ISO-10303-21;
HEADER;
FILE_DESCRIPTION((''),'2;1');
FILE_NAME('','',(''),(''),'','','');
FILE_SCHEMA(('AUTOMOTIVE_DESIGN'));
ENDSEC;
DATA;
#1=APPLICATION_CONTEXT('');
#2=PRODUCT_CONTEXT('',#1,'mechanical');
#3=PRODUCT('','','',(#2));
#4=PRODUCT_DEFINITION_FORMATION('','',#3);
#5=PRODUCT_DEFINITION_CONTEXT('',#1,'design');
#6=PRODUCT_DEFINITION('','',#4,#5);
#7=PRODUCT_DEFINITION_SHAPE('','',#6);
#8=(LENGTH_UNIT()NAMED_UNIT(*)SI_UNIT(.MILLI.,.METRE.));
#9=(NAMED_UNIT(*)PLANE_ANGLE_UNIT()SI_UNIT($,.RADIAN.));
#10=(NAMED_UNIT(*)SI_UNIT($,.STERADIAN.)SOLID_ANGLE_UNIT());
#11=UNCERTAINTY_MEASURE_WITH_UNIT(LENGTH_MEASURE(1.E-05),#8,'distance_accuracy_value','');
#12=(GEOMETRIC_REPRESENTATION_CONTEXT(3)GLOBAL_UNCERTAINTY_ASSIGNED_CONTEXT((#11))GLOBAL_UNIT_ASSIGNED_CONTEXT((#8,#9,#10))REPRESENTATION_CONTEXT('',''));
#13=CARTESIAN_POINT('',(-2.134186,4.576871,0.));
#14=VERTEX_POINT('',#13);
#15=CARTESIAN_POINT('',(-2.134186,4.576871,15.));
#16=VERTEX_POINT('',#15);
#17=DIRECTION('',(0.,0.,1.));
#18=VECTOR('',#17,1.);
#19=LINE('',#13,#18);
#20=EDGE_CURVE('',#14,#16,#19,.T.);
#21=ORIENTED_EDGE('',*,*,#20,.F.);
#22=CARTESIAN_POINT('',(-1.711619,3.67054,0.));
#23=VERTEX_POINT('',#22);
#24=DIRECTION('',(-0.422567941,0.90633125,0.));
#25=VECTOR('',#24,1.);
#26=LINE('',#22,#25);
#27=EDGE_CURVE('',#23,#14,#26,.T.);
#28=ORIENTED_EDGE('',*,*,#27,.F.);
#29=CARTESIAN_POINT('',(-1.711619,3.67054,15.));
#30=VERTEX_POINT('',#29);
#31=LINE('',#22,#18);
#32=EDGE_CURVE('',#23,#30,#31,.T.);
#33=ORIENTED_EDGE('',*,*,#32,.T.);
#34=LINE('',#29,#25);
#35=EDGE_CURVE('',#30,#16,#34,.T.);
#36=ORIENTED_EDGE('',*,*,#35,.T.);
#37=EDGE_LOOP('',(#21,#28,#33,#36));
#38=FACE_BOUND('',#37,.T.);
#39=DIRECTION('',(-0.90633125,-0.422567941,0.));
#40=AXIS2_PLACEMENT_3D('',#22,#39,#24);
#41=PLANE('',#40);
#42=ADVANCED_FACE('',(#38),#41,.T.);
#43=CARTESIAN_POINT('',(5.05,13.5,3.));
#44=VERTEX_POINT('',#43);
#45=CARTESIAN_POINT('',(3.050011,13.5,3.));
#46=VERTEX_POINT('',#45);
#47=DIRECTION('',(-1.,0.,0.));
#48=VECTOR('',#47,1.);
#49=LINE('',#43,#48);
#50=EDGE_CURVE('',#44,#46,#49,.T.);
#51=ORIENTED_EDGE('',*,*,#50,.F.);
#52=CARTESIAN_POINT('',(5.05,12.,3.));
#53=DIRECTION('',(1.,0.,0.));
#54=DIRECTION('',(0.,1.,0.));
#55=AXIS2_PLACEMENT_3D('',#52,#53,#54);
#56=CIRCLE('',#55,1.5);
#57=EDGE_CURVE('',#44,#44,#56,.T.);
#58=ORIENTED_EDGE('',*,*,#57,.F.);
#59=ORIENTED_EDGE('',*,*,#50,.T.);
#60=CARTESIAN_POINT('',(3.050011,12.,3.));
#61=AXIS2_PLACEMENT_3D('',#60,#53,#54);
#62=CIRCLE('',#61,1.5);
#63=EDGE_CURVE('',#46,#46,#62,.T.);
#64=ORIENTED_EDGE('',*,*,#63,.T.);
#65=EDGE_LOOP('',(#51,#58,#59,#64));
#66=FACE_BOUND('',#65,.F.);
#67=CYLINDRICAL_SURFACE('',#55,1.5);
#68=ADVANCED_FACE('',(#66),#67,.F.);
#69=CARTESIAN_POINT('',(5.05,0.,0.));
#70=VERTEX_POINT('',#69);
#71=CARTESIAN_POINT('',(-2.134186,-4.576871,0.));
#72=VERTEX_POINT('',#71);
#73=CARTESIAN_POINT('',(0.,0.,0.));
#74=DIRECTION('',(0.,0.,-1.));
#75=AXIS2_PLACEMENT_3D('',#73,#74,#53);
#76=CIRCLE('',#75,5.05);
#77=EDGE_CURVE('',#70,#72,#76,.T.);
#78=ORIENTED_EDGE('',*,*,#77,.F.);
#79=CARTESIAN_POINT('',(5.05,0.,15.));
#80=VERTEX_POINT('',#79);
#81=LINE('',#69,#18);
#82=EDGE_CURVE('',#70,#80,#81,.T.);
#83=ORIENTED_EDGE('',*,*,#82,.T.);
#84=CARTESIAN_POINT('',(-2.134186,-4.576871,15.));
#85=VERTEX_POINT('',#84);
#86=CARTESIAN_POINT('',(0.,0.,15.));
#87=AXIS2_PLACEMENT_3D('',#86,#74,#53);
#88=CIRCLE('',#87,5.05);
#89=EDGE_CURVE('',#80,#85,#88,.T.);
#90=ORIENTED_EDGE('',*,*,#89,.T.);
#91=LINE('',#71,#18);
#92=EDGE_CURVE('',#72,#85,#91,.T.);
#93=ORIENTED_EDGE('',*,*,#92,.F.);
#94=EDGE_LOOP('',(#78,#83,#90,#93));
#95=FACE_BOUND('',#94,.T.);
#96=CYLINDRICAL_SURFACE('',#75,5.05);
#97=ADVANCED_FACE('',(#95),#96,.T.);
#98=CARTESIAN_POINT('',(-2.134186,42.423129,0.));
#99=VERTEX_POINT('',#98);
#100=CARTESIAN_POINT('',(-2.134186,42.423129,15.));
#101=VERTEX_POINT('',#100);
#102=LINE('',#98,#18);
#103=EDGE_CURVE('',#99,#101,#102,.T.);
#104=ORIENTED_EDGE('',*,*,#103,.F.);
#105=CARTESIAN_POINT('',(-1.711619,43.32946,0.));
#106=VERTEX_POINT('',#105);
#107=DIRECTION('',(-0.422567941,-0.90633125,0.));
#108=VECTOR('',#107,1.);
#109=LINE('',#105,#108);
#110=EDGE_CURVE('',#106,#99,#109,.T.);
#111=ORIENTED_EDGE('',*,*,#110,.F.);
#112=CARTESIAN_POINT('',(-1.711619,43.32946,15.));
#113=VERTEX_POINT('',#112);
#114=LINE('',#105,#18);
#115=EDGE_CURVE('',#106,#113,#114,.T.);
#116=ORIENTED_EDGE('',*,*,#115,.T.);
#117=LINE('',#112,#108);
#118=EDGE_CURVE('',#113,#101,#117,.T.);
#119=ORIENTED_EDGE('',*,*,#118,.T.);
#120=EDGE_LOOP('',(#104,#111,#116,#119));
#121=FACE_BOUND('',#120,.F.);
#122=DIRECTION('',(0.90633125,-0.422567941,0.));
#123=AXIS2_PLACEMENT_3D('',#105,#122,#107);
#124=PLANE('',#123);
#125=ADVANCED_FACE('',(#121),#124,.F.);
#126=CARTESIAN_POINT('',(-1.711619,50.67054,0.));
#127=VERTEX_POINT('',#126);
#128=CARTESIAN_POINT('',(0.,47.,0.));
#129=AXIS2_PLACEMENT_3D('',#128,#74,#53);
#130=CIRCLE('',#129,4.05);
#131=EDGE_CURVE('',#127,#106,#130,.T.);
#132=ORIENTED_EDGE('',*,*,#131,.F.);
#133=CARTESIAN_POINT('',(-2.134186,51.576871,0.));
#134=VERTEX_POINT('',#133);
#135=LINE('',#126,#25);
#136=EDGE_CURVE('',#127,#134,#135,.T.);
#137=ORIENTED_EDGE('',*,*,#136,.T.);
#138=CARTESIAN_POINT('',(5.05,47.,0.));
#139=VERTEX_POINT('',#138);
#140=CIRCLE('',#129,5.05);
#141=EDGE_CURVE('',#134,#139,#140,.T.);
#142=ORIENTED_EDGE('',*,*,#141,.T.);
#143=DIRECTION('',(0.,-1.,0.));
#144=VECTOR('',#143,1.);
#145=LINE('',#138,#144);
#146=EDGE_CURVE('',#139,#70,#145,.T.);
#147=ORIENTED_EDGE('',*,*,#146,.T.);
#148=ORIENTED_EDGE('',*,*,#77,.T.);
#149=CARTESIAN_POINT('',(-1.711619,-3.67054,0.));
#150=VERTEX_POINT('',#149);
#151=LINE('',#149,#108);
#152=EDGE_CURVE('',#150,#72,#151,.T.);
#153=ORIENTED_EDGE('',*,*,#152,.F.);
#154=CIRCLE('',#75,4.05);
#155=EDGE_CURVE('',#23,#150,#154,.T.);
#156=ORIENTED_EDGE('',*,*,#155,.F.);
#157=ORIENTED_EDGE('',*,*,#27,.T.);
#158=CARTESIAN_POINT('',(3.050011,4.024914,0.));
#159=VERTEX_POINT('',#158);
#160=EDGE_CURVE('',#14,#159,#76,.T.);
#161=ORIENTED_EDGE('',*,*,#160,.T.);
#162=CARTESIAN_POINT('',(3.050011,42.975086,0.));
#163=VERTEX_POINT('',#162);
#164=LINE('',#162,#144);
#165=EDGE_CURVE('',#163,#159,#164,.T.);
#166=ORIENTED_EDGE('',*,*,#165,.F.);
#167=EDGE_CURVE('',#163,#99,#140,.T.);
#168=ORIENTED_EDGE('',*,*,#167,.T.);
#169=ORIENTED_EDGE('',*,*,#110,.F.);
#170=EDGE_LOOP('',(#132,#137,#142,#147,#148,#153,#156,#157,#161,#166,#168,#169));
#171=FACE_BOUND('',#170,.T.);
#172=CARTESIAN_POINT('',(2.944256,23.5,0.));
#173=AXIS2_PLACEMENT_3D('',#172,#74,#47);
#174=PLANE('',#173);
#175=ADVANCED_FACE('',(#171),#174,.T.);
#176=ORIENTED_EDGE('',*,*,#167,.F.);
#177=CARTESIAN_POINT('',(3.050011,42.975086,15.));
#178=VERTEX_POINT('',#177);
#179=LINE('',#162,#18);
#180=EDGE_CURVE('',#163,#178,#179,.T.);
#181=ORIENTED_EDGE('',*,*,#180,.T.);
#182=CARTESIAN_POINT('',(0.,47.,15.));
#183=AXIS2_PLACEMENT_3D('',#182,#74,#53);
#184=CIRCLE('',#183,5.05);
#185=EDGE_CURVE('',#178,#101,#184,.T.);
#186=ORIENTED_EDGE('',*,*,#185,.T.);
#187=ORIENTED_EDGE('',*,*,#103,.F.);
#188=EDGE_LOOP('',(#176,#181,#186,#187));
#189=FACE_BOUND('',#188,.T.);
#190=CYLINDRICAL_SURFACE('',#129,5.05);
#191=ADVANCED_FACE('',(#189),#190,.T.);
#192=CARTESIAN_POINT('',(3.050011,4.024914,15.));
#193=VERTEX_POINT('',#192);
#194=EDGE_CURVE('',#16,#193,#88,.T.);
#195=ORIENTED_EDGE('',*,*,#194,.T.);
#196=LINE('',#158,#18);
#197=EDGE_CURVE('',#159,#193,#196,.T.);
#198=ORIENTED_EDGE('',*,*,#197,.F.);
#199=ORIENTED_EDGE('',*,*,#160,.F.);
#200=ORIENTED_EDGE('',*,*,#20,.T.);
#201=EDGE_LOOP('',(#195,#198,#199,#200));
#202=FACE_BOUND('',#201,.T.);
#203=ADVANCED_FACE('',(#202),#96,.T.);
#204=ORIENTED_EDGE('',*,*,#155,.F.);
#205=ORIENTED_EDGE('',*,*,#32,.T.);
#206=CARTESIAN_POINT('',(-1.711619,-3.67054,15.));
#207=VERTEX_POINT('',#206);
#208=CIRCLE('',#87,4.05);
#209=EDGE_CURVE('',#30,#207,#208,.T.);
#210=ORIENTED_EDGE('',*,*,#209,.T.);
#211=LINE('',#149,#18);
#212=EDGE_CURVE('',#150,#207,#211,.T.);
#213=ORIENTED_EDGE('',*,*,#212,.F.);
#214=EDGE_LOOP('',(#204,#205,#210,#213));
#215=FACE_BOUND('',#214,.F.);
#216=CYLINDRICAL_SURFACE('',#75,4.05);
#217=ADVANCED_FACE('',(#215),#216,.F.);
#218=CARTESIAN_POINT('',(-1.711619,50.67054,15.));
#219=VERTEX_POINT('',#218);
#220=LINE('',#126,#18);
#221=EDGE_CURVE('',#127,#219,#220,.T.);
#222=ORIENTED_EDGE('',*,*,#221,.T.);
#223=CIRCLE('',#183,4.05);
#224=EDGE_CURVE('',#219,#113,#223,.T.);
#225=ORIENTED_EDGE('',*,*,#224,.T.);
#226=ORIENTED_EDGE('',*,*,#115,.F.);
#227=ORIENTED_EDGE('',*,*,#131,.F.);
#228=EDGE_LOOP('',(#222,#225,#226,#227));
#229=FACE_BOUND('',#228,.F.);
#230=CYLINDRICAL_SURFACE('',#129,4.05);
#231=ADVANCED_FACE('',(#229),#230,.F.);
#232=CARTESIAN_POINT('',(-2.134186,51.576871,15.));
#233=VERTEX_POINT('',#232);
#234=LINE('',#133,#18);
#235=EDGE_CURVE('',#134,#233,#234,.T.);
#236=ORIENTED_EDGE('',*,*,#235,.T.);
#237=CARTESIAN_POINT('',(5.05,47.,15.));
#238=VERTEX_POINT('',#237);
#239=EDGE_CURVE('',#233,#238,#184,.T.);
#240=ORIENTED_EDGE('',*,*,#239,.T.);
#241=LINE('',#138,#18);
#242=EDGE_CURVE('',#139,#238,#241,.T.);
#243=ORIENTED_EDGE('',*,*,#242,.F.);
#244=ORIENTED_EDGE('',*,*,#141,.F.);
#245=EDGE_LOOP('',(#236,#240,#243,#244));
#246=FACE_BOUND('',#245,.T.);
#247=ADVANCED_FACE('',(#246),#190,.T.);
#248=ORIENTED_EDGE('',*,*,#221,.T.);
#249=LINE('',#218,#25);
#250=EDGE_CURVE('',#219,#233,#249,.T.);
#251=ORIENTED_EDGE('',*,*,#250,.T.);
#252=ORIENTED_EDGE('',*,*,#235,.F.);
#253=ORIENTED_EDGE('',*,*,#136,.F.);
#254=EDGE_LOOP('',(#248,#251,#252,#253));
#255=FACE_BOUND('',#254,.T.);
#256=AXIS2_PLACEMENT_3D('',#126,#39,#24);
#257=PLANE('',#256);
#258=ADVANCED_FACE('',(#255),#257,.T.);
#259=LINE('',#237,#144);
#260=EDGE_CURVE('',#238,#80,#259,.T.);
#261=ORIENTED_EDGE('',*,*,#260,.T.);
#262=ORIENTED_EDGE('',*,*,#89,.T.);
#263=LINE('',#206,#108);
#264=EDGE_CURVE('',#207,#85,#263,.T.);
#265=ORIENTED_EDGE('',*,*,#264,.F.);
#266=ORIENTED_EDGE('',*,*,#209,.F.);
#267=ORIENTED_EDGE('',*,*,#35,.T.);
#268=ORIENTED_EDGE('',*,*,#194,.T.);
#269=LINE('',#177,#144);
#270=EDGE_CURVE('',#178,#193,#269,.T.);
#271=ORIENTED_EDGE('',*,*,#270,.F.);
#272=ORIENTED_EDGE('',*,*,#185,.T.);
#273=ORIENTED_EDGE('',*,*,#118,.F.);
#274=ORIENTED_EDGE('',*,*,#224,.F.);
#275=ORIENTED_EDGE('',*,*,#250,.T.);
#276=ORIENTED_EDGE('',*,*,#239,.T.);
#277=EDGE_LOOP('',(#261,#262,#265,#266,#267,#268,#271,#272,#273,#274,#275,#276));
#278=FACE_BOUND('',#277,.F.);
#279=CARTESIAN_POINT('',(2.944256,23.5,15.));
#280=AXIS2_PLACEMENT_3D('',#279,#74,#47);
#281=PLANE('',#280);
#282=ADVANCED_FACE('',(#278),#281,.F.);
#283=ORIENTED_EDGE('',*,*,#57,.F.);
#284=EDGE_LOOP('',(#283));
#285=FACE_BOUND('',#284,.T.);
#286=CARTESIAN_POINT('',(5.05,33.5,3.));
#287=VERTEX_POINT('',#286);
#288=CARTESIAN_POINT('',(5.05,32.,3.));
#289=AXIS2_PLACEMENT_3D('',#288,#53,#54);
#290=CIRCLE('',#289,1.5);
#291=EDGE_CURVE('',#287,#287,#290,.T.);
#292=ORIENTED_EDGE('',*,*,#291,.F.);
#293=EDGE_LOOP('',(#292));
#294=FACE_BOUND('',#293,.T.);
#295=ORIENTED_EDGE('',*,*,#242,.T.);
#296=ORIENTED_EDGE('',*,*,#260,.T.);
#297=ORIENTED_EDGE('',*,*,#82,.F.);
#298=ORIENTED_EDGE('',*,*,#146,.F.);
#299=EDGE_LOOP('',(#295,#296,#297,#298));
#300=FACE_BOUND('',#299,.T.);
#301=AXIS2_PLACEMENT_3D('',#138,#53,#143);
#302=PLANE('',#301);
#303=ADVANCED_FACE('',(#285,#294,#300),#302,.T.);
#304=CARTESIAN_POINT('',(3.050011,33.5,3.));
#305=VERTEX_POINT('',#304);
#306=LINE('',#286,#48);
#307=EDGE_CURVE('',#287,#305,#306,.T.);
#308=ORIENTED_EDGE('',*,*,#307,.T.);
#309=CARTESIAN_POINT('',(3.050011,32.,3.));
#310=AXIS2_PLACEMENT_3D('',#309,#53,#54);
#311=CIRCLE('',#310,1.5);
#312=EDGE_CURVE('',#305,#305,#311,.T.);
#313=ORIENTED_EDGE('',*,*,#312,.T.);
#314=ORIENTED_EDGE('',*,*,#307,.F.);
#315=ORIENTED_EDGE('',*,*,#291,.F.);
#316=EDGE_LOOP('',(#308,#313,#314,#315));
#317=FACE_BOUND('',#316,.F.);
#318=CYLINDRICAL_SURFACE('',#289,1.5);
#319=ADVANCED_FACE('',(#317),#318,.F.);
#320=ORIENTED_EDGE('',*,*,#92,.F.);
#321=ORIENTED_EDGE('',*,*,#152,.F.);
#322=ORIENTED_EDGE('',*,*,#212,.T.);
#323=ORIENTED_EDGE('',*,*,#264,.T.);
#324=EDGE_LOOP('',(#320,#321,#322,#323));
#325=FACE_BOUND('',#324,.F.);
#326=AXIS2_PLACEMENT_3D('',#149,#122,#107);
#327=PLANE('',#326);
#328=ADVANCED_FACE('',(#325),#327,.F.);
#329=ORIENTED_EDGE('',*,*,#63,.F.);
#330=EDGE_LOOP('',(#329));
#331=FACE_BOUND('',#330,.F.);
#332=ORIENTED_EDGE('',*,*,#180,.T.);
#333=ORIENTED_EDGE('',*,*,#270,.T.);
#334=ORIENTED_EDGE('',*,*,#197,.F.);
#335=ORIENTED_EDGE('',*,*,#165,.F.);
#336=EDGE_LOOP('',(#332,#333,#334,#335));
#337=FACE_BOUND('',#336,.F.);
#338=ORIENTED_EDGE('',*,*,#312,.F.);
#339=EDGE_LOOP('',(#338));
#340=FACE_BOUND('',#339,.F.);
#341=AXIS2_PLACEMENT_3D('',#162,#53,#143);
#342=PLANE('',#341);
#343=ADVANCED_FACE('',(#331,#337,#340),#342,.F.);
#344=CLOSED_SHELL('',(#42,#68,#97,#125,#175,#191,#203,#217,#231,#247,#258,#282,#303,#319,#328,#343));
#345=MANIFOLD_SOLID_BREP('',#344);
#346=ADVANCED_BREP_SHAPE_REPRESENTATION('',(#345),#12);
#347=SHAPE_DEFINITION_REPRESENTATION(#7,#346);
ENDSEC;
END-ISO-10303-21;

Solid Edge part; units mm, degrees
sketch "Sketch1" plane through (0, 0, 0) normal (0, 0, 1) x (1, 0, 0)
  arc A0 (3.05, 42.9751) -> (-2.1342, 42.4231) centre (0, 47) cw
  line L0 (-1.7116, 43.3295) -> (-2.1342, 42.4231)
  line L1 (-1.7116, 50.6705) -> (-2.1342, 51.5769)
  line L2 (5.05, 47) -> (5.05, 0)
  line L3 (-1.7116, -3.6705) -> (-2.1342, -4.5769)
  line L4 (-1.7116, 3.6705) -> (-2.1342, 4.5769)
  arc A1 (-2.1342, 4.5769) -> (3.05, 4.0249) centre (0, 0) cw
  line L5 (3.05, 42.9751) -> (3.05, 4.0249)
  arc A2 (-1.7116, 50.6705) -> (-1.7116, 43.3295) centre (0, 47) cw
  arc A3 (-2.1342, 51.5769) -> (5.05, 47) centre (0, 47) cw
  arc A4 (5.05, 0) -> (-2.1342, -4.5769) centre (0, 0) cw
  arc A5 (-1.7116, 3.6705) -> (-1.7116, -3.6705) centre (0, 0) cw
extrude "Protrusion1" add sketch "Sketch1" along normal blind 15
sketch "Sketch2" plane through (5.05, 23.5, 7.5) normal (1, 0, 0) x (0, 1, 0)
  circle A0 centre (8.5, -4.5) radius 1.5
  circle A1 centre (-11.5, -4.5) radius 1.5
  dimension "D1" = 3
  dimension "D2" = 3
  dimension "D3" = 15
  dimension "D4" = 20
  dimension "D5" = 3
extrude "VaciadoExtruido_1" cut sketch "Sketch2" along normal mid plane 19.0191
